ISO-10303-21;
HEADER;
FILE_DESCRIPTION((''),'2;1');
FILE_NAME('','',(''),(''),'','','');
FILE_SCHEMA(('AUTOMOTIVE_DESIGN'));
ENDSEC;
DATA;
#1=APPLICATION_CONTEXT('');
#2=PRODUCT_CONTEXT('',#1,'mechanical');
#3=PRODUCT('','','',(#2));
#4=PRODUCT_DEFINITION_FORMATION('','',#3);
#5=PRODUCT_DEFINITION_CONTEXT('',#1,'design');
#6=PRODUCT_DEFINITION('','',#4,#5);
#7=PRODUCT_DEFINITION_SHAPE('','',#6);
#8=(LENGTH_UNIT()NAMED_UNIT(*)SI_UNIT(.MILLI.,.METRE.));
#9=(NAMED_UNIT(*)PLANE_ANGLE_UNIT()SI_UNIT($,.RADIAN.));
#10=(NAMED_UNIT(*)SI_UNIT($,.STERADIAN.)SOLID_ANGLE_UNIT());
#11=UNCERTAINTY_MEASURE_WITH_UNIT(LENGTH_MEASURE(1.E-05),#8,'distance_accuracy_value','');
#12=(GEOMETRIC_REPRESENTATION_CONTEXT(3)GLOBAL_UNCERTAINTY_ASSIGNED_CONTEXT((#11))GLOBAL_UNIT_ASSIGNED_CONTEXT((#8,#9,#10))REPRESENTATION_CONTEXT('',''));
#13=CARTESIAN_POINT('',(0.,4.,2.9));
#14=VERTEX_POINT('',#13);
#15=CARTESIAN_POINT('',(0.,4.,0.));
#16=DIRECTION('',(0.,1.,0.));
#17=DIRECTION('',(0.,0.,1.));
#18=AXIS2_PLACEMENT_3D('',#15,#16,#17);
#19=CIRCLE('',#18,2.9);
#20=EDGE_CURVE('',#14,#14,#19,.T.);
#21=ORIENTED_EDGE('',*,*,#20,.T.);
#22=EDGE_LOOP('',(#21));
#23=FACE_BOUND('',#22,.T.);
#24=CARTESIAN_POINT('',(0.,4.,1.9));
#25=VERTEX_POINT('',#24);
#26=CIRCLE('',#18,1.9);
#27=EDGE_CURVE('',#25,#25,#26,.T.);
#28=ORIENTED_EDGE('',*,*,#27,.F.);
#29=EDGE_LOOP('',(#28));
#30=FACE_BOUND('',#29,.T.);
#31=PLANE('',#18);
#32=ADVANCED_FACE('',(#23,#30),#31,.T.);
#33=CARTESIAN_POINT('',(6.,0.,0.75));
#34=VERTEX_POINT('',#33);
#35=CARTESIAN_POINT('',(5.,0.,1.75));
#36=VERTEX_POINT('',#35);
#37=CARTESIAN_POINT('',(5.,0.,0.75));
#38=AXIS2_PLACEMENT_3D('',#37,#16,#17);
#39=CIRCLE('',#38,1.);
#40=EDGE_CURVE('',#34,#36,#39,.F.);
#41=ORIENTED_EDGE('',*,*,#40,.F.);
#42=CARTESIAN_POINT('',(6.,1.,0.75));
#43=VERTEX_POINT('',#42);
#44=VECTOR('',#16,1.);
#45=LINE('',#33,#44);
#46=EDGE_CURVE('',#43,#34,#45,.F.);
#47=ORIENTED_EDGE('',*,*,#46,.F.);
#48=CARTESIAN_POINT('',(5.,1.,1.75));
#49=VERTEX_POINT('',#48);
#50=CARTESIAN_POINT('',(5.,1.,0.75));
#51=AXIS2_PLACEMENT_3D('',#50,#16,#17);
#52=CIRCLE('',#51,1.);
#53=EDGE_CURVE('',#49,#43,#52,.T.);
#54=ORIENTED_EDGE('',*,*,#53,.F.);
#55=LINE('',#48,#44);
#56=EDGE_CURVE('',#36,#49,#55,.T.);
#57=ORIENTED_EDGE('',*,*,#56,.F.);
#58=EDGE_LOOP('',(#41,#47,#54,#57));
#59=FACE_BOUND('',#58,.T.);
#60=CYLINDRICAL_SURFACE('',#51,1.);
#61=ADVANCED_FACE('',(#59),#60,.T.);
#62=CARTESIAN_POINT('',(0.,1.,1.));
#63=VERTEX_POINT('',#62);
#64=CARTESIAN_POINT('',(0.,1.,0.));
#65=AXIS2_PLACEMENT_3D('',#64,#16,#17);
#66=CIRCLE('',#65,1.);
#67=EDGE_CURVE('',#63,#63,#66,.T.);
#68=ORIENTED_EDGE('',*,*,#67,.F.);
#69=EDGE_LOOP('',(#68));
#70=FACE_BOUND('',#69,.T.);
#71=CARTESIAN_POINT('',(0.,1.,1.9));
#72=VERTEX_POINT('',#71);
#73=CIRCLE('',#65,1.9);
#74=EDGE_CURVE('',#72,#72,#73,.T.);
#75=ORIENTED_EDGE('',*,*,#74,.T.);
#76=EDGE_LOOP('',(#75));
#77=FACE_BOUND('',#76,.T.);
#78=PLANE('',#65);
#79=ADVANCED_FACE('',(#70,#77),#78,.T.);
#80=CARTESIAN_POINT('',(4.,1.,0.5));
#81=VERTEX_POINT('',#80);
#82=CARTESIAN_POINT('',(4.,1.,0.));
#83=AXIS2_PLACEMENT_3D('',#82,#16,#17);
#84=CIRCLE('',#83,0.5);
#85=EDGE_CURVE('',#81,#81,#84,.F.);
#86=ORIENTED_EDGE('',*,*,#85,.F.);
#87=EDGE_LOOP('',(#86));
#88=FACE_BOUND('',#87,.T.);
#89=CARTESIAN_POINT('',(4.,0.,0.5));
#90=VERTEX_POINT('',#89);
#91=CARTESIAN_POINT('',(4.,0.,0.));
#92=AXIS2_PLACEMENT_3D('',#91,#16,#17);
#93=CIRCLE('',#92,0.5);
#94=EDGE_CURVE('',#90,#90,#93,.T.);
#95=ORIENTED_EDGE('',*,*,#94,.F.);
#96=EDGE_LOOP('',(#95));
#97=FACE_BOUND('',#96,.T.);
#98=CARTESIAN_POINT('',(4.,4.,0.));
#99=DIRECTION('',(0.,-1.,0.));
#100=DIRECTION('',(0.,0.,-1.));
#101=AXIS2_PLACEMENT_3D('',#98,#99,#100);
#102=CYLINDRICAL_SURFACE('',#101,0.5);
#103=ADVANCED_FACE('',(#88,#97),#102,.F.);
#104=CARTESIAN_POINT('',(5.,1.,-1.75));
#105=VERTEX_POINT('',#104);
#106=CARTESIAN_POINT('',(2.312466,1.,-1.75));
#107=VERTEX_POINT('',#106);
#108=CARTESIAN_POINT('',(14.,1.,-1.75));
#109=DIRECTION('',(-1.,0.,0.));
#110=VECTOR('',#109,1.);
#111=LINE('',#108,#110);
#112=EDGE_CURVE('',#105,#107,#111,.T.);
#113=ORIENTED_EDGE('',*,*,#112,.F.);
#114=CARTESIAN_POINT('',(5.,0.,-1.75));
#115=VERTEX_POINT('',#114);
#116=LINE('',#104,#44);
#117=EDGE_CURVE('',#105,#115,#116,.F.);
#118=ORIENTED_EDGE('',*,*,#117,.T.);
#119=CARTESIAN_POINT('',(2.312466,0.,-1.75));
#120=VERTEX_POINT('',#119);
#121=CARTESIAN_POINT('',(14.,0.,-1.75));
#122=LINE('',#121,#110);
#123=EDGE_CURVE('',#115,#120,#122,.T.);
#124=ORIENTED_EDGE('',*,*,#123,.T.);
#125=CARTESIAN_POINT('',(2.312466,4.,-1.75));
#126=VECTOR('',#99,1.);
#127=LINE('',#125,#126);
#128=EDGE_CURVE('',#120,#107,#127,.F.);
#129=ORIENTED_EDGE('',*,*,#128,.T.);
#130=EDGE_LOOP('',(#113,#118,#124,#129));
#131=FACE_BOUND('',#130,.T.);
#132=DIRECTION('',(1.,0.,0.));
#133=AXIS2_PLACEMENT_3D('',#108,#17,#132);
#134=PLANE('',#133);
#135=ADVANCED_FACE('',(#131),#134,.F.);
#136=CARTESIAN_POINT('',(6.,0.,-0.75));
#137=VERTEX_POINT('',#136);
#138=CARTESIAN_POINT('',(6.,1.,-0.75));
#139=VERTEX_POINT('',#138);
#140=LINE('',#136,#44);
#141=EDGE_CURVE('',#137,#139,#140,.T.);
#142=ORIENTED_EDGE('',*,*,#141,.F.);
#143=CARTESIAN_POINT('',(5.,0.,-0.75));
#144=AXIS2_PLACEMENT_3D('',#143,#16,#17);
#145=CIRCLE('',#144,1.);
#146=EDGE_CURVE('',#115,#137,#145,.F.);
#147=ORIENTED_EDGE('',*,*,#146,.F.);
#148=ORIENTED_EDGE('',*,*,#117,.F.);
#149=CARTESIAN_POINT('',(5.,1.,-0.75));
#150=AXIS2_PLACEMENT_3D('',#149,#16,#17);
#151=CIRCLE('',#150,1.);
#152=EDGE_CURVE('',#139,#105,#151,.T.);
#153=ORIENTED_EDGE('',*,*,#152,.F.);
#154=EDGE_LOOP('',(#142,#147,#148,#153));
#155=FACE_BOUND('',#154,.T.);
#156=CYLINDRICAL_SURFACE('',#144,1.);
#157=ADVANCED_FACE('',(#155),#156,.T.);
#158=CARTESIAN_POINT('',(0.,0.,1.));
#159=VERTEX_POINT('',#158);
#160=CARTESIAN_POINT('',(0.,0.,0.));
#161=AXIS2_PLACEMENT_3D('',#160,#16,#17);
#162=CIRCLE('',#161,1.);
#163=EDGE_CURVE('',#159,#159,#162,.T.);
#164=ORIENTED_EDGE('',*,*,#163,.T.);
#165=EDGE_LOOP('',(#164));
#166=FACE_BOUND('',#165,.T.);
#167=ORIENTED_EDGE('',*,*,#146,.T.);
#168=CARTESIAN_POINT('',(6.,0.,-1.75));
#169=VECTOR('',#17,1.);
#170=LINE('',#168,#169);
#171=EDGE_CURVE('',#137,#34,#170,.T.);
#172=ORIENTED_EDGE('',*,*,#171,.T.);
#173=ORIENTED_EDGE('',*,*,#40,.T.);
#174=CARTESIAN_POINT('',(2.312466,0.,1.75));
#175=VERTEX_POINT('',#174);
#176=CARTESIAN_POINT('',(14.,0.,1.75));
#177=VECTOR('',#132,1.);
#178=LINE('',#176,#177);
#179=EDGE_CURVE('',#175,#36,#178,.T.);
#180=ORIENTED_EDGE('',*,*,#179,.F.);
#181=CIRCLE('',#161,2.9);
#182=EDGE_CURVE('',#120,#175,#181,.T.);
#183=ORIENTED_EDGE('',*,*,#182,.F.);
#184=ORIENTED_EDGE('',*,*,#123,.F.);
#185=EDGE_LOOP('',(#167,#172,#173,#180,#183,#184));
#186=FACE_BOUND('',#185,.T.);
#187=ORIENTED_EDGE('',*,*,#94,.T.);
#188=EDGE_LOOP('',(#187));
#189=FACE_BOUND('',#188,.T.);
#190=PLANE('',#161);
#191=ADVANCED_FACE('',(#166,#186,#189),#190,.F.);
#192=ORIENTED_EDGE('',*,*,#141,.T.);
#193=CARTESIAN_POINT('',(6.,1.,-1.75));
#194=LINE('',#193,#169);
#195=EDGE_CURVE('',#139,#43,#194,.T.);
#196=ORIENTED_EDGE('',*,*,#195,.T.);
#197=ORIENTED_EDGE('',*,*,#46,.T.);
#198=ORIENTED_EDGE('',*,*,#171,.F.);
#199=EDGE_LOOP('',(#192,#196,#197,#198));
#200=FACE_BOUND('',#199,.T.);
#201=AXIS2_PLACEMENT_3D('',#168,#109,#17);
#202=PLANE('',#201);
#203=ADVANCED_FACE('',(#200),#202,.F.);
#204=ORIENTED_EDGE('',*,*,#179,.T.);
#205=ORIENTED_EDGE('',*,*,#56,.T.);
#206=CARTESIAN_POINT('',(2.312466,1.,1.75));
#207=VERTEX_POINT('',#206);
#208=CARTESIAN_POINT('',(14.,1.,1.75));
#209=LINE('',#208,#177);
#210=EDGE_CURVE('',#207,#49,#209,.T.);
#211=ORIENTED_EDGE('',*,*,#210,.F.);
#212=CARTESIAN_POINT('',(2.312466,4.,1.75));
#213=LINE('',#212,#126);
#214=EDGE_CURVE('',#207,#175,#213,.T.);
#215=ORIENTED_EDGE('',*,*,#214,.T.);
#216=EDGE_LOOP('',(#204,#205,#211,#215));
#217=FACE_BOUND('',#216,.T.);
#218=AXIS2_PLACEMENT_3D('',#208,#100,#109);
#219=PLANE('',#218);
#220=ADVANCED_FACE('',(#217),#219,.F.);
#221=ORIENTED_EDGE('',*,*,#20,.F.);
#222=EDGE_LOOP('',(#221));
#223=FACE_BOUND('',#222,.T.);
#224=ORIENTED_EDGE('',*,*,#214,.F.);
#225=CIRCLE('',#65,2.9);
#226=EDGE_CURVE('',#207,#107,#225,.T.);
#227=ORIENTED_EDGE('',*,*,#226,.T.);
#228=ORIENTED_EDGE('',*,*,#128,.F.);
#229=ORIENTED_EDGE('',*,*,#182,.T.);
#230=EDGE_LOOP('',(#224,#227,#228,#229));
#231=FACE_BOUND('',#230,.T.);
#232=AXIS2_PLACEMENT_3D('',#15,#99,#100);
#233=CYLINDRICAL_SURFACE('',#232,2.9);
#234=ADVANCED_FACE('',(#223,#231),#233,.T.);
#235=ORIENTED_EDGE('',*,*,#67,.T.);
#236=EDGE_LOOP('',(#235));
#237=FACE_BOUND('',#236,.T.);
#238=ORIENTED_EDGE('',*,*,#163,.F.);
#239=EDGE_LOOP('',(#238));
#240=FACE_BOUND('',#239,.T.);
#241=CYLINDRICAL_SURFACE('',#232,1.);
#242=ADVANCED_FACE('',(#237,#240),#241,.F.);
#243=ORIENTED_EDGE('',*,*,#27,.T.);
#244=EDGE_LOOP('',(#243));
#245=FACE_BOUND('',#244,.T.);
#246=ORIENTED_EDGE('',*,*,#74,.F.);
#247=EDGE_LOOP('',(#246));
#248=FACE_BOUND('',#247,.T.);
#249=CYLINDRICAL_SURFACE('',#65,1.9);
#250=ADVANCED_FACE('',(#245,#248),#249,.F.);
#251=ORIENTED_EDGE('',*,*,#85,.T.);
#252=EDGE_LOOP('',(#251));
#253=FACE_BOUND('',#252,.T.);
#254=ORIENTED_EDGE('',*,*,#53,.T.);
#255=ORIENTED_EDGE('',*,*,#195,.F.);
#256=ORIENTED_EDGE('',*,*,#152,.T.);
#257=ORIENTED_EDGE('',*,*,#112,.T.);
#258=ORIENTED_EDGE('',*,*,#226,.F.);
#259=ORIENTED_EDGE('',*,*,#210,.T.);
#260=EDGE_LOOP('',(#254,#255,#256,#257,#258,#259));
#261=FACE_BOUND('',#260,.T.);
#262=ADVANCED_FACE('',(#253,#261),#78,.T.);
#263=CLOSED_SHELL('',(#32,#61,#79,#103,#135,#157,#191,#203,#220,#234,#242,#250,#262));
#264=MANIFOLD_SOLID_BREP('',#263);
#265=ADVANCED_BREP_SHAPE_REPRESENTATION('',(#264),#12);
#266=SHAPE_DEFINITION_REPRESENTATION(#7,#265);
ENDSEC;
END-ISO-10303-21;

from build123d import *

# Parameters (mm, degrees)
SKETCH_1_R          = 2.9
EXTRUDE_1_DEPTH     = 4
SKETCH_2_W          = 12.628096459
SKETCH_2_H          = 3.5
EXTRUDE_2_DEPTH     = 1
SKETCH_3_R          = 0.5
SKETCH_3_R_2        = 1
CUT_EXTRUDE_1_DEPTH = 5
FILLET_1_R          = 1.5
SKETCH_4_R          = 1.9
CUT_EXTRUDE_2_DEPTH = 3
SKETCH_5_W          = 9.116647883
SKETCH_5_H          = 3.5
CUT_EXTRUDE_3_DEPTH = 2
FILLET_2_R          = 1


with BuildPart() as part:
    # 草图1 → 凸台-拉伸1 (new body)
    with BuildSketch(Plane(origin=(0, 0, 0), x_dir=(1, 0, 0), z_dir=(0, 1, 0))):
        Circle(SKETCH_1_R)
    extrude(amount=EXTRUDE_1_DEPTH)

    # 草图2 → 凸台-拉伸2 (add)
    with BuildSketch(Plane(origin=(0, 0, 0), x_dir=(1, 0, 0), z_dir=(0, 1, 0))):
        with Locations((7.685951771, 0)):
            Rectangle(SKETCH_2_W, SKETCH_2_H)
    extrude(amount=EXTRUDE_2_DEPTH)

    # 草图3 → 切除-拉伸1 (cut, through all)
    with BuildSketch(Plane(origin=(0, 0, 0), x_dir=(1, 0, 0), z_dir=(0, 1, 0))):
        with Locations((8, 0)):
            Circle(SKETCH_3_R)
        with Locations((12, 0)):
            Circle(SKETCH_3_R)
        with Locations((10, 0)):
            Circle(SKETCH_3_R)
        Circle(SKETCH_3_R_2)
        with Locations((4, 0)):
            Circle(SKETCH_3_R)
    extrude(amount=CUT_EXTRUDE_1_DEPTH, mode=Mode.SUBTRACT)

    # 圆角1
    fillet_1_edges = [part.edges().sort_by_distance(p)[0] for p in [
        (14, 0.5, -1.75),
        (14, 0.5, 1.75),
    ]]
    fillet(fillet_1_edges, radius=FILLET_1_R)

    # 草图4 → 切除-拉伸2 (cut)
    with BuildSketch(Plane(origin=(0, 4, 0), x_dir=(1, 0, 0), z_dir=(0, 1, 0))):
        Circle(SKETCH_4_R)
    extrude(amount=-CUT_EXTRUDE_2_DEPTH, mode=Mode.SUBTRACT)

    # 草图5 → 切除-拉伸3 (cut, through all)
    with BuildSketch(Plane(origin=(0, 1, 0), x_dir=(1, 0, 0), z_dir=(0, 1, 0))):
        with Locations((10.558323941, 0)):
            Rectangle(SKETCH_5_W, SKETCH_5_H)
    extrude(amount=-CUT_EXTRUDE_3_DEPTH, mode=Mode.SUBTRACT)

    # 圆角2
    fillet_2_edges = [part.edges().sort_by_distance(p)[0] for p in [
        (6, 0.5, 1.75),
        (6, 0.5, -1.75),
    ]]
    fillet(fillet_2_edges, radius=FILLET_2_R)


solid = part.part
